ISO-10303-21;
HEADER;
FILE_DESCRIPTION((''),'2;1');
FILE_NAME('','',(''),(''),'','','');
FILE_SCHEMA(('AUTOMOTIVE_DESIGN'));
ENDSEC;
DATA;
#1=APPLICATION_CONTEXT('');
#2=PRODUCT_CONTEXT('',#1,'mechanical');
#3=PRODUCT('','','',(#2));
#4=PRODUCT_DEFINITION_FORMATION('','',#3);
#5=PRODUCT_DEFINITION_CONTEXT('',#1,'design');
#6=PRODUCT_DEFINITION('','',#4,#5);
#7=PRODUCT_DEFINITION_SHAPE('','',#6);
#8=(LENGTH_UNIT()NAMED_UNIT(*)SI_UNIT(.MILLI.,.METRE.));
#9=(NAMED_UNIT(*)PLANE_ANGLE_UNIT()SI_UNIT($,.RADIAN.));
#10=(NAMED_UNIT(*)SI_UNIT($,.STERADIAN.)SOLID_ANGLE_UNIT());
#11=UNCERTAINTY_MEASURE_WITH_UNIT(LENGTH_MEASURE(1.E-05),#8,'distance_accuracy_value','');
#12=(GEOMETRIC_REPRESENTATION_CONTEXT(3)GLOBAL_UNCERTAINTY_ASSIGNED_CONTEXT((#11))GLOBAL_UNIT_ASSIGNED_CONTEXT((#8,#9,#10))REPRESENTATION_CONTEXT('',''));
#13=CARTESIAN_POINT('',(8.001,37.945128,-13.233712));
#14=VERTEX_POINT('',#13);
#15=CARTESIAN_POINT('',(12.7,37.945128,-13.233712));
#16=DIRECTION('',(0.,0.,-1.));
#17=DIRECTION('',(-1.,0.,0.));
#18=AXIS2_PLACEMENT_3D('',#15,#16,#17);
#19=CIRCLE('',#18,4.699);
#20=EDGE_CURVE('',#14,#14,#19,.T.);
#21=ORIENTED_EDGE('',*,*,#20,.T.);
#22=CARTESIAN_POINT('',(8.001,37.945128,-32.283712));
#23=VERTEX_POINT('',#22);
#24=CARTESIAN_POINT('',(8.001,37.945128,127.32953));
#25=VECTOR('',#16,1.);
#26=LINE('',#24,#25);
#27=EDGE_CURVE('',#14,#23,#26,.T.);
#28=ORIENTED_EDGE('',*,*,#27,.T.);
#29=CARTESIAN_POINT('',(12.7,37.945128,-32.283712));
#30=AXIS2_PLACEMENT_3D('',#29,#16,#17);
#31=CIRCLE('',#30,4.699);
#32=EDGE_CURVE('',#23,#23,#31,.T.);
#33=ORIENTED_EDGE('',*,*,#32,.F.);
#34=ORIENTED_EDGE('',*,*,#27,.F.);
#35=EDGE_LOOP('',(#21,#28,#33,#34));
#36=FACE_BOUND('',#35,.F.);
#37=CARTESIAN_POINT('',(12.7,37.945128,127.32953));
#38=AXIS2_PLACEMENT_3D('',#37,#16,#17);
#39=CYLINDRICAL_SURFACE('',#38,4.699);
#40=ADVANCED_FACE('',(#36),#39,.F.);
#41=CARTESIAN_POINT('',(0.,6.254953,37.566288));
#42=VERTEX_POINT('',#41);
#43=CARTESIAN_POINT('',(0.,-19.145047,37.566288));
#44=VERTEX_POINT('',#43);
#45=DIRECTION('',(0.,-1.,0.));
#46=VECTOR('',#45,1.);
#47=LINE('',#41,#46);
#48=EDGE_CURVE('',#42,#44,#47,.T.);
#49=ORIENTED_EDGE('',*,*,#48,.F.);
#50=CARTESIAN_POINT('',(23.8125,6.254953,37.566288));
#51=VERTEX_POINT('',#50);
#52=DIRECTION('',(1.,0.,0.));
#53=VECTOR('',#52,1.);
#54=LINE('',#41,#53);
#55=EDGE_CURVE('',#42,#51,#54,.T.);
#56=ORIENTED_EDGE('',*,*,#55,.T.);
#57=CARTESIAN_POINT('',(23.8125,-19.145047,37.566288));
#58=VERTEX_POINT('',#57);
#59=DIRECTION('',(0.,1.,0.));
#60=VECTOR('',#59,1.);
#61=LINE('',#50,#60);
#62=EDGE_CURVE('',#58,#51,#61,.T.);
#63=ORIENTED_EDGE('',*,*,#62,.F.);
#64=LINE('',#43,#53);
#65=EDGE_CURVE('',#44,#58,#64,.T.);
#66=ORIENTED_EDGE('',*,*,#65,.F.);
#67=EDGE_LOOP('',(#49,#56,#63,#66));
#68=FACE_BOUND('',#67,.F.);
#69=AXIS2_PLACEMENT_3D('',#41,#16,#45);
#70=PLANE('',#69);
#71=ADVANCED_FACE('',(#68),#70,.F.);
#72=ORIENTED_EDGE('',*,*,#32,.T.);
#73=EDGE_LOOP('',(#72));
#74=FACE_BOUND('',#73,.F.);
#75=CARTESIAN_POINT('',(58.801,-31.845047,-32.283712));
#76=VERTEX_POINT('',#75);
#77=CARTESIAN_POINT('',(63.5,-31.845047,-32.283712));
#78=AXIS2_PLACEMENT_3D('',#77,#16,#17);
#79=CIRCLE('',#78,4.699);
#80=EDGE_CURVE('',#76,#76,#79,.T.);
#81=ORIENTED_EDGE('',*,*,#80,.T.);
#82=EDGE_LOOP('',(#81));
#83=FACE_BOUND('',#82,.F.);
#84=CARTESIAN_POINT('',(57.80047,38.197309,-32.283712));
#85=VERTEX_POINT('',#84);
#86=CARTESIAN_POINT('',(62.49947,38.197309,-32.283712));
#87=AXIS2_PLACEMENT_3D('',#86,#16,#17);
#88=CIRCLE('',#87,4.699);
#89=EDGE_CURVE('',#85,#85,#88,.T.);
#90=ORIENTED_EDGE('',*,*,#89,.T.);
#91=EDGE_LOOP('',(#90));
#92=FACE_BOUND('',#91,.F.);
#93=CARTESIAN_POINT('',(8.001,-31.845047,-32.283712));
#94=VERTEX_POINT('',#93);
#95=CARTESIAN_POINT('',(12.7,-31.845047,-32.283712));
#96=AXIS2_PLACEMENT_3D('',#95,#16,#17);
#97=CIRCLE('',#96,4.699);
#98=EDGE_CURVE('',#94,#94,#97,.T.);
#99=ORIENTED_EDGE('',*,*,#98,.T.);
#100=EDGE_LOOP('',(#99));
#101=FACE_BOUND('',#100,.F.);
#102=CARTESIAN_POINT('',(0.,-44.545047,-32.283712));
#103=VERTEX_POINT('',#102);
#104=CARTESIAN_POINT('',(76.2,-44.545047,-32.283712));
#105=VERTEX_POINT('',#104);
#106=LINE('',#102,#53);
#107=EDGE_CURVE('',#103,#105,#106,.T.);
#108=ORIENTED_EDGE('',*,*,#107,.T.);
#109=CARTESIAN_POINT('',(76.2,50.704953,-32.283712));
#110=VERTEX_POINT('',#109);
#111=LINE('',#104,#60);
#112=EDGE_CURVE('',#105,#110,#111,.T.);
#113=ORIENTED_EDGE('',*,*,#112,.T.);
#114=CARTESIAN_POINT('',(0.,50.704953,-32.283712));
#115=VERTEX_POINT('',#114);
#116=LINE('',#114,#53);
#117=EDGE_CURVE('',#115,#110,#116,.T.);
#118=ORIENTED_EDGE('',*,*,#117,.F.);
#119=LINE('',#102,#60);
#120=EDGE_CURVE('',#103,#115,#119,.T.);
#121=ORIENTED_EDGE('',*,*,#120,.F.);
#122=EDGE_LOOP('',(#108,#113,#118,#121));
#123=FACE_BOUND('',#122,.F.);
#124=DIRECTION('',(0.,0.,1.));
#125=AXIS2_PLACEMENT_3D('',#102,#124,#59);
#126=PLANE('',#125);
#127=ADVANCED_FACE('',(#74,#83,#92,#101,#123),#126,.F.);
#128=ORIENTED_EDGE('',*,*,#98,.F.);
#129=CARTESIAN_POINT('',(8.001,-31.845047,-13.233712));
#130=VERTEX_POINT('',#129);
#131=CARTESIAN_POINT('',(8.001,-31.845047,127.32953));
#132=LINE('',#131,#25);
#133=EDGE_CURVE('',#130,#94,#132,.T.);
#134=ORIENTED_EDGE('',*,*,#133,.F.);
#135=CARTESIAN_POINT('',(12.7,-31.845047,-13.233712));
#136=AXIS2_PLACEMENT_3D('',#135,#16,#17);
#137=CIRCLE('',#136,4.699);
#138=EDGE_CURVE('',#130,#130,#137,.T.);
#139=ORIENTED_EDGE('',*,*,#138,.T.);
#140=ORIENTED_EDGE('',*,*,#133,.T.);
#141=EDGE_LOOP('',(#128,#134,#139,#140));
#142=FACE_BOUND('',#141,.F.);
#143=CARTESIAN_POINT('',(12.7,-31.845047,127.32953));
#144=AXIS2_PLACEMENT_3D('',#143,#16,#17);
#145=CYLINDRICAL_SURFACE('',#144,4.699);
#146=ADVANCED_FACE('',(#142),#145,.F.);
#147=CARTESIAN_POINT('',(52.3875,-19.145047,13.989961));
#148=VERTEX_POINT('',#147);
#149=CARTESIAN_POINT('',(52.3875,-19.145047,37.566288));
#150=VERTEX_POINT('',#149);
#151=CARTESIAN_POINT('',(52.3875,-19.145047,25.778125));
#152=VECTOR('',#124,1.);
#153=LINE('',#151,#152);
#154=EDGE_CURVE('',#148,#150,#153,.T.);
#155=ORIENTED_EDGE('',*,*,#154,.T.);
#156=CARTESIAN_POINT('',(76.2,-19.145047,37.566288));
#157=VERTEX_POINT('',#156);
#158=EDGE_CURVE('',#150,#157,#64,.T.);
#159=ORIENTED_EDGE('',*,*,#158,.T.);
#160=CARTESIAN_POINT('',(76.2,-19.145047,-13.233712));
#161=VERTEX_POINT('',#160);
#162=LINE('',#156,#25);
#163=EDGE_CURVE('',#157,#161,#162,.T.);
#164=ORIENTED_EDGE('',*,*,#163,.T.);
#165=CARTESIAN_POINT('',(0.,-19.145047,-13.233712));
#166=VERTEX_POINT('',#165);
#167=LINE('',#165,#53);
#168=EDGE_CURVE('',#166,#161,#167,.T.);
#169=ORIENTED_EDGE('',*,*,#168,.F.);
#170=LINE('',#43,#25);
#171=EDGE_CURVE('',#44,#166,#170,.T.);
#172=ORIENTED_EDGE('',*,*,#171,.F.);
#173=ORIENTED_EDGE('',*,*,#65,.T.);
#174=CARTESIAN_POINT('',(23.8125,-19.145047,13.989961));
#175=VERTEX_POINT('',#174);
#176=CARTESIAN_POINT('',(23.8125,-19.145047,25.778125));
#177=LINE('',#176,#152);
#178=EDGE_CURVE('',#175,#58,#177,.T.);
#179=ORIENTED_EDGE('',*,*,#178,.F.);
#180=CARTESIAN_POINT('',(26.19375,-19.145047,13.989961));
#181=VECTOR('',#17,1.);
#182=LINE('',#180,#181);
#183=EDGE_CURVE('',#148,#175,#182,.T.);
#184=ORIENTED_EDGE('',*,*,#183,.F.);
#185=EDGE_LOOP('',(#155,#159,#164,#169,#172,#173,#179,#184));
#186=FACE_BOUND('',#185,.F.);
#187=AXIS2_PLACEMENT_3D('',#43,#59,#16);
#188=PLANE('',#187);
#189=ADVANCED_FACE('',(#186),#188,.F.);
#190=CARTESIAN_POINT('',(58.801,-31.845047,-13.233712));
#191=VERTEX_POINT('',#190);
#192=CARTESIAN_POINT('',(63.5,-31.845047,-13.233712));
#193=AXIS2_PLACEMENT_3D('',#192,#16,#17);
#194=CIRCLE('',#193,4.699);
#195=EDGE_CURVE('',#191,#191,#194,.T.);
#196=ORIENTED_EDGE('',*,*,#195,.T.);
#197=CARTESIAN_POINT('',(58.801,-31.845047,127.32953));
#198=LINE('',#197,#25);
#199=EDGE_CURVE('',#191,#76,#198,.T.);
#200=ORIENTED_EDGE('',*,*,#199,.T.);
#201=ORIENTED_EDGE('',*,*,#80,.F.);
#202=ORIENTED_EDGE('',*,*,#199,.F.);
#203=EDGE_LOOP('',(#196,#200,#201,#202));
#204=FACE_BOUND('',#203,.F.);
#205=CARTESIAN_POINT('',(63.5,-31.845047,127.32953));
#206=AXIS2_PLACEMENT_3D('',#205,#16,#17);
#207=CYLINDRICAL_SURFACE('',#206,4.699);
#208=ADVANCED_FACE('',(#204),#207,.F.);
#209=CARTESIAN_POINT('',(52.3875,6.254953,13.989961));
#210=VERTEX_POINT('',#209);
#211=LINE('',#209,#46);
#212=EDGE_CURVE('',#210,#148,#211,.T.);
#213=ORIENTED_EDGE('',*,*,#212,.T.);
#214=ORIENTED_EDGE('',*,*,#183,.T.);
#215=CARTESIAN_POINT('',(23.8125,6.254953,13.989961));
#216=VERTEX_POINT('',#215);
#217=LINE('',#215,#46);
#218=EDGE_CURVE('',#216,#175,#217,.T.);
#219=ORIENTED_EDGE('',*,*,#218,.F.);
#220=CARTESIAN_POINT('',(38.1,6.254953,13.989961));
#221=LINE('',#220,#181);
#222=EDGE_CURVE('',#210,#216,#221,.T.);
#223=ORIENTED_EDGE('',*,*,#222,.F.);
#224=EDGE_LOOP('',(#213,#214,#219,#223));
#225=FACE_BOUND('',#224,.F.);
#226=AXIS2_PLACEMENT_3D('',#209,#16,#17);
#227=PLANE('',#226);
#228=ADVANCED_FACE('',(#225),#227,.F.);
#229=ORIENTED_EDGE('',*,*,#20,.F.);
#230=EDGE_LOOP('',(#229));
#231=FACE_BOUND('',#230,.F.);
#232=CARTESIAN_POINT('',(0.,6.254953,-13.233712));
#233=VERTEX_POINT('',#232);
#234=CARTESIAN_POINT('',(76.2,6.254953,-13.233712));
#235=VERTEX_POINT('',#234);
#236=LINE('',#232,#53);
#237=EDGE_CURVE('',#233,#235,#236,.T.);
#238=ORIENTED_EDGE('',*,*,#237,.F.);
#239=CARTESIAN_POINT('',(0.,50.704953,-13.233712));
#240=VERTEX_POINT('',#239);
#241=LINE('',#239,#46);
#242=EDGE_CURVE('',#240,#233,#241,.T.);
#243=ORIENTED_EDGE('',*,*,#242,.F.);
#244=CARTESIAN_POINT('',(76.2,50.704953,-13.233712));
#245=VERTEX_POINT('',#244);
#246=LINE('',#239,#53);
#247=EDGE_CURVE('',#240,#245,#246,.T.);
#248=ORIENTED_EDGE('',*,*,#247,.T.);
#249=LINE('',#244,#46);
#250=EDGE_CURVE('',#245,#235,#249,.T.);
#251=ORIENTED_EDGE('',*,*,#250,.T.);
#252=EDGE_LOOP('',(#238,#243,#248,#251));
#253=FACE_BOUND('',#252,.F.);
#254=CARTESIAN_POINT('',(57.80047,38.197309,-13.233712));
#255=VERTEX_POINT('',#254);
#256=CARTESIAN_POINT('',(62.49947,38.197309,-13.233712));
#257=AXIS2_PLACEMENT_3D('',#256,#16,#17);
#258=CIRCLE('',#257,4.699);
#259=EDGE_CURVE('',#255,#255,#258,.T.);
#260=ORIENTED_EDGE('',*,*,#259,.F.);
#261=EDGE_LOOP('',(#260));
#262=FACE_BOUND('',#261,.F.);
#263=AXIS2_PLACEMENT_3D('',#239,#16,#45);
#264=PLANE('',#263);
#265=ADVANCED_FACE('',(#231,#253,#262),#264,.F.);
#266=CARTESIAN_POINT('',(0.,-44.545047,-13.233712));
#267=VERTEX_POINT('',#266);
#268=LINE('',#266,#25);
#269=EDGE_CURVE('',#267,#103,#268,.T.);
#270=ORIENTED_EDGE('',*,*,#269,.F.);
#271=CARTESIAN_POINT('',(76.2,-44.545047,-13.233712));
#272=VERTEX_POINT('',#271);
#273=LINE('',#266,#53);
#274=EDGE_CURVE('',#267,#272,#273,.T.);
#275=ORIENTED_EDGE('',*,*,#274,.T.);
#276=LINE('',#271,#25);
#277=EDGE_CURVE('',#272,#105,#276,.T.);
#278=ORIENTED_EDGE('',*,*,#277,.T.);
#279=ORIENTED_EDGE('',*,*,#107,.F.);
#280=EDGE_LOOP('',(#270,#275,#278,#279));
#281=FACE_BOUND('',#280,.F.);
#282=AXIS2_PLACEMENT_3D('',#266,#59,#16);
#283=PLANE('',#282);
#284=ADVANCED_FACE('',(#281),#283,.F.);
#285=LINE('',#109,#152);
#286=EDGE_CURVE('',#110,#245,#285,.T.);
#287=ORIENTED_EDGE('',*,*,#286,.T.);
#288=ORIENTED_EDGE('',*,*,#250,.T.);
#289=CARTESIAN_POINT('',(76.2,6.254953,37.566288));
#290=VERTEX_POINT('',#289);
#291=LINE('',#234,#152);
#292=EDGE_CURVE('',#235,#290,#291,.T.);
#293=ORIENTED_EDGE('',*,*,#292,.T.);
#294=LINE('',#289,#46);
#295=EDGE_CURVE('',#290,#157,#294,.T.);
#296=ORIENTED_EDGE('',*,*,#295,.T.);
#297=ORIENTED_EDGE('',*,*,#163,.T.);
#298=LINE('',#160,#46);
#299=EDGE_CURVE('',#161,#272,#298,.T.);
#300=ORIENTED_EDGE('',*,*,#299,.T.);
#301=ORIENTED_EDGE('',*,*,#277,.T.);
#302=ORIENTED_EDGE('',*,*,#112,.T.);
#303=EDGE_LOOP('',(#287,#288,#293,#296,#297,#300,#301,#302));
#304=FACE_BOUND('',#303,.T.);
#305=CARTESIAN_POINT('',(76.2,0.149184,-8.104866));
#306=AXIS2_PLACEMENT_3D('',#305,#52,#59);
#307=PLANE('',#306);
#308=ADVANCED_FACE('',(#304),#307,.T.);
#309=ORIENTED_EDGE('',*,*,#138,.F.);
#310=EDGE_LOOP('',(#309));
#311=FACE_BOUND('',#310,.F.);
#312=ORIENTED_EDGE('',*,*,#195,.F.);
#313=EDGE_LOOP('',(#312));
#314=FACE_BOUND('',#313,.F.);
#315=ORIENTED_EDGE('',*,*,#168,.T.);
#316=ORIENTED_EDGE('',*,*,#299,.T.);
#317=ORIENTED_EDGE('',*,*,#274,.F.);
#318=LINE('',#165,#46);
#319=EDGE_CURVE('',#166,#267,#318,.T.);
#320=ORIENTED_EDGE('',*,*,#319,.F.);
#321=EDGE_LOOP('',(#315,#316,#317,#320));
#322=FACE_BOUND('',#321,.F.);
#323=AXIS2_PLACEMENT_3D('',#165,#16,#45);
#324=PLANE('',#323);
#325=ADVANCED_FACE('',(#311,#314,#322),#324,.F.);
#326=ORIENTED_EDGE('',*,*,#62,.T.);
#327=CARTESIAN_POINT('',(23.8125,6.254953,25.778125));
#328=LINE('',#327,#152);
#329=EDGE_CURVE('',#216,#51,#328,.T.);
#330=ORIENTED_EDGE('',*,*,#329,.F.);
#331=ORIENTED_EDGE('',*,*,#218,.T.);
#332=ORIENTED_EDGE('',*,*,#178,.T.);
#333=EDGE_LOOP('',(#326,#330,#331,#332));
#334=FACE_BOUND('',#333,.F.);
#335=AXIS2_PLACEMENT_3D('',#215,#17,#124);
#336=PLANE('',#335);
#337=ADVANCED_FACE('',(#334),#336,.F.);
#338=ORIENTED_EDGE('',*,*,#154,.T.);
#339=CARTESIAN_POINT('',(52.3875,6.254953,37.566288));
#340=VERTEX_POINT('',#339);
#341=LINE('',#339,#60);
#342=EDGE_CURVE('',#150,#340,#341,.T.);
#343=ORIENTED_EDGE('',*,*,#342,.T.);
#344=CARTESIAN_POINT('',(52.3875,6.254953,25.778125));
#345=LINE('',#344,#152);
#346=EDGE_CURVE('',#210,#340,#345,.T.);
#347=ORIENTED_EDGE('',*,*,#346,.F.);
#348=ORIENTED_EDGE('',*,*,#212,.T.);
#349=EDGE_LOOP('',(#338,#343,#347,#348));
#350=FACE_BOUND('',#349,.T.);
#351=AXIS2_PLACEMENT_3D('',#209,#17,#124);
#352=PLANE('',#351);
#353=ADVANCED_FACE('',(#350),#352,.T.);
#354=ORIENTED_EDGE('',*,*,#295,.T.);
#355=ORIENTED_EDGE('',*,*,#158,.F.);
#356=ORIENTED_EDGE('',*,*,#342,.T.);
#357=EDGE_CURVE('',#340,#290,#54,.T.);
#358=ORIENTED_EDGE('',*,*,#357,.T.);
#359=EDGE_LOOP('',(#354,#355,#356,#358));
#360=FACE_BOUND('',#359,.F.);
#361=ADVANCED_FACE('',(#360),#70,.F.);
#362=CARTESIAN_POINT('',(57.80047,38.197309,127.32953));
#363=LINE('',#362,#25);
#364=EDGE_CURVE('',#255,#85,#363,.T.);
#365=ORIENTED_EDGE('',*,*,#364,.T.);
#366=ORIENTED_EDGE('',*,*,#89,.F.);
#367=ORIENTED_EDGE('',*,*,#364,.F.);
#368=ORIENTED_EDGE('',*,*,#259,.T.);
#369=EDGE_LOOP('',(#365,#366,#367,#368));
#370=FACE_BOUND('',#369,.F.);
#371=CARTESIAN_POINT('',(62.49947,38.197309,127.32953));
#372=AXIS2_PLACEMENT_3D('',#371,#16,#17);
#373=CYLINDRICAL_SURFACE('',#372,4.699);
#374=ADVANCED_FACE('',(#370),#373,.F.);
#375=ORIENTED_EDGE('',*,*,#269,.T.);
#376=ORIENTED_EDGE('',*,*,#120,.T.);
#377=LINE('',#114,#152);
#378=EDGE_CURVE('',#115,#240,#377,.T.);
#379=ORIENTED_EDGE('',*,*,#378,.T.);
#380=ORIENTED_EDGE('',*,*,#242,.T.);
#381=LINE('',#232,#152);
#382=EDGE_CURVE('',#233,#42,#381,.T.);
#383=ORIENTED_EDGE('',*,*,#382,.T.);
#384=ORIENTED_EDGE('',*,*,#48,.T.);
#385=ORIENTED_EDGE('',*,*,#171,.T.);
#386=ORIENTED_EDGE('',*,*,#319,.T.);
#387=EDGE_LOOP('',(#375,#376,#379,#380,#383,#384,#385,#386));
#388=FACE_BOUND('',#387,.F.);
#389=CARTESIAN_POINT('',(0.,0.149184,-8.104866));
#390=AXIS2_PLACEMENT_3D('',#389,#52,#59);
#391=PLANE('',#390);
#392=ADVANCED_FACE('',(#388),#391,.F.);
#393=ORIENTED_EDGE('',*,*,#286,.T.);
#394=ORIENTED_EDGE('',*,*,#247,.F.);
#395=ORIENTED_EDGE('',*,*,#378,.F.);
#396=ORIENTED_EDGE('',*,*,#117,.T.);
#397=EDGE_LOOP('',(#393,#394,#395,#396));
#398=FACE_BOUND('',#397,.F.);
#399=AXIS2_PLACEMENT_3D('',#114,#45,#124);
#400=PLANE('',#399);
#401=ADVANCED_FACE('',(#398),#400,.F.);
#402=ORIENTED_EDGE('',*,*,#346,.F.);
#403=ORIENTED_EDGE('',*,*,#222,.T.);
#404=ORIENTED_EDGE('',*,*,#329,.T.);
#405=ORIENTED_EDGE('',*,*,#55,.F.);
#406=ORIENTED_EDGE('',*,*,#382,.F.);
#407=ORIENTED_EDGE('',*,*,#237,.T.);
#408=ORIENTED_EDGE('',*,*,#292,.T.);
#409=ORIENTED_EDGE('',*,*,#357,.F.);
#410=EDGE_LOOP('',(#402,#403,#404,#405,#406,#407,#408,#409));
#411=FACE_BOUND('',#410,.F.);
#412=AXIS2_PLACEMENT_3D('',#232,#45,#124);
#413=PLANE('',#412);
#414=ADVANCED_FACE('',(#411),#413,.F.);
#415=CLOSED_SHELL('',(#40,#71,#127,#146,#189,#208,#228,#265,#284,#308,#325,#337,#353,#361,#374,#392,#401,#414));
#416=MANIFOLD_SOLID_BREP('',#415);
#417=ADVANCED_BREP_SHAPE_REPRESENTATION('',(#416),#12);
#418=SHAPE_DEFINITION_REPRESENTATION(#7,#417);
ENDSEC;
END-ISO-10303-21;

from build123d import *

# Parameters (mm, degrees)
F1_DEPTH = 76.2
F2_W     = 28.575
F2_H     = 23.576327
F3_DEPTH = 50.801
F6_D     = 9.398
F8_D     = 9.398
F10_D    = 9.398


with BuildPart() as f1:
    # F0 (on Right) → F1 (new body)
    with BuildSketch(Plane.YZ):
        Polygon((-44.545047, -32.283712), (50.704953, -32.283712), (50.704953, -13.233712), (6.254953, -13.233712), (6.254953, 37.566288), (-19.145047, 37.566288), (-19.145047, -13.233712), (-44.545047, -13.233712), align=None)
    extrude(amount=F1_DEPTH)

    # F2 (on face) → F3 (cut, through all)
    with BuildSketch(Plane(origin=(0, 6.254953, 0), x_dir=(-1, 0, 0), z_dir=(0, 1, 0))):
        with Locations((-38.1, 25.778125)):
            Rectangle(F2_W, F2_H)
    extrude(amount=-F3_DEPTH, mode=Mode.SUBTRACT)

    # F6 (through all)
    with Locations(Plane.XY.offset(-13.233712)):
        with Locations((12.7, 37.945128)):
            Hole(F6_D / 2)

    # F8 (through all)
    with Locations(Plane.XY.offset(-13.233712)):
        with Locations((62.49947, 38.197309)):
            Hole(F8_D / 2)

    # F10 (through all)
    with Locations(Plane.XY.offset(-13.233712)):
        with Locations((12.7, -31.845047), (63.5, -31.845047)):
            Hole(F10_D / 2)


solid = f1.part
